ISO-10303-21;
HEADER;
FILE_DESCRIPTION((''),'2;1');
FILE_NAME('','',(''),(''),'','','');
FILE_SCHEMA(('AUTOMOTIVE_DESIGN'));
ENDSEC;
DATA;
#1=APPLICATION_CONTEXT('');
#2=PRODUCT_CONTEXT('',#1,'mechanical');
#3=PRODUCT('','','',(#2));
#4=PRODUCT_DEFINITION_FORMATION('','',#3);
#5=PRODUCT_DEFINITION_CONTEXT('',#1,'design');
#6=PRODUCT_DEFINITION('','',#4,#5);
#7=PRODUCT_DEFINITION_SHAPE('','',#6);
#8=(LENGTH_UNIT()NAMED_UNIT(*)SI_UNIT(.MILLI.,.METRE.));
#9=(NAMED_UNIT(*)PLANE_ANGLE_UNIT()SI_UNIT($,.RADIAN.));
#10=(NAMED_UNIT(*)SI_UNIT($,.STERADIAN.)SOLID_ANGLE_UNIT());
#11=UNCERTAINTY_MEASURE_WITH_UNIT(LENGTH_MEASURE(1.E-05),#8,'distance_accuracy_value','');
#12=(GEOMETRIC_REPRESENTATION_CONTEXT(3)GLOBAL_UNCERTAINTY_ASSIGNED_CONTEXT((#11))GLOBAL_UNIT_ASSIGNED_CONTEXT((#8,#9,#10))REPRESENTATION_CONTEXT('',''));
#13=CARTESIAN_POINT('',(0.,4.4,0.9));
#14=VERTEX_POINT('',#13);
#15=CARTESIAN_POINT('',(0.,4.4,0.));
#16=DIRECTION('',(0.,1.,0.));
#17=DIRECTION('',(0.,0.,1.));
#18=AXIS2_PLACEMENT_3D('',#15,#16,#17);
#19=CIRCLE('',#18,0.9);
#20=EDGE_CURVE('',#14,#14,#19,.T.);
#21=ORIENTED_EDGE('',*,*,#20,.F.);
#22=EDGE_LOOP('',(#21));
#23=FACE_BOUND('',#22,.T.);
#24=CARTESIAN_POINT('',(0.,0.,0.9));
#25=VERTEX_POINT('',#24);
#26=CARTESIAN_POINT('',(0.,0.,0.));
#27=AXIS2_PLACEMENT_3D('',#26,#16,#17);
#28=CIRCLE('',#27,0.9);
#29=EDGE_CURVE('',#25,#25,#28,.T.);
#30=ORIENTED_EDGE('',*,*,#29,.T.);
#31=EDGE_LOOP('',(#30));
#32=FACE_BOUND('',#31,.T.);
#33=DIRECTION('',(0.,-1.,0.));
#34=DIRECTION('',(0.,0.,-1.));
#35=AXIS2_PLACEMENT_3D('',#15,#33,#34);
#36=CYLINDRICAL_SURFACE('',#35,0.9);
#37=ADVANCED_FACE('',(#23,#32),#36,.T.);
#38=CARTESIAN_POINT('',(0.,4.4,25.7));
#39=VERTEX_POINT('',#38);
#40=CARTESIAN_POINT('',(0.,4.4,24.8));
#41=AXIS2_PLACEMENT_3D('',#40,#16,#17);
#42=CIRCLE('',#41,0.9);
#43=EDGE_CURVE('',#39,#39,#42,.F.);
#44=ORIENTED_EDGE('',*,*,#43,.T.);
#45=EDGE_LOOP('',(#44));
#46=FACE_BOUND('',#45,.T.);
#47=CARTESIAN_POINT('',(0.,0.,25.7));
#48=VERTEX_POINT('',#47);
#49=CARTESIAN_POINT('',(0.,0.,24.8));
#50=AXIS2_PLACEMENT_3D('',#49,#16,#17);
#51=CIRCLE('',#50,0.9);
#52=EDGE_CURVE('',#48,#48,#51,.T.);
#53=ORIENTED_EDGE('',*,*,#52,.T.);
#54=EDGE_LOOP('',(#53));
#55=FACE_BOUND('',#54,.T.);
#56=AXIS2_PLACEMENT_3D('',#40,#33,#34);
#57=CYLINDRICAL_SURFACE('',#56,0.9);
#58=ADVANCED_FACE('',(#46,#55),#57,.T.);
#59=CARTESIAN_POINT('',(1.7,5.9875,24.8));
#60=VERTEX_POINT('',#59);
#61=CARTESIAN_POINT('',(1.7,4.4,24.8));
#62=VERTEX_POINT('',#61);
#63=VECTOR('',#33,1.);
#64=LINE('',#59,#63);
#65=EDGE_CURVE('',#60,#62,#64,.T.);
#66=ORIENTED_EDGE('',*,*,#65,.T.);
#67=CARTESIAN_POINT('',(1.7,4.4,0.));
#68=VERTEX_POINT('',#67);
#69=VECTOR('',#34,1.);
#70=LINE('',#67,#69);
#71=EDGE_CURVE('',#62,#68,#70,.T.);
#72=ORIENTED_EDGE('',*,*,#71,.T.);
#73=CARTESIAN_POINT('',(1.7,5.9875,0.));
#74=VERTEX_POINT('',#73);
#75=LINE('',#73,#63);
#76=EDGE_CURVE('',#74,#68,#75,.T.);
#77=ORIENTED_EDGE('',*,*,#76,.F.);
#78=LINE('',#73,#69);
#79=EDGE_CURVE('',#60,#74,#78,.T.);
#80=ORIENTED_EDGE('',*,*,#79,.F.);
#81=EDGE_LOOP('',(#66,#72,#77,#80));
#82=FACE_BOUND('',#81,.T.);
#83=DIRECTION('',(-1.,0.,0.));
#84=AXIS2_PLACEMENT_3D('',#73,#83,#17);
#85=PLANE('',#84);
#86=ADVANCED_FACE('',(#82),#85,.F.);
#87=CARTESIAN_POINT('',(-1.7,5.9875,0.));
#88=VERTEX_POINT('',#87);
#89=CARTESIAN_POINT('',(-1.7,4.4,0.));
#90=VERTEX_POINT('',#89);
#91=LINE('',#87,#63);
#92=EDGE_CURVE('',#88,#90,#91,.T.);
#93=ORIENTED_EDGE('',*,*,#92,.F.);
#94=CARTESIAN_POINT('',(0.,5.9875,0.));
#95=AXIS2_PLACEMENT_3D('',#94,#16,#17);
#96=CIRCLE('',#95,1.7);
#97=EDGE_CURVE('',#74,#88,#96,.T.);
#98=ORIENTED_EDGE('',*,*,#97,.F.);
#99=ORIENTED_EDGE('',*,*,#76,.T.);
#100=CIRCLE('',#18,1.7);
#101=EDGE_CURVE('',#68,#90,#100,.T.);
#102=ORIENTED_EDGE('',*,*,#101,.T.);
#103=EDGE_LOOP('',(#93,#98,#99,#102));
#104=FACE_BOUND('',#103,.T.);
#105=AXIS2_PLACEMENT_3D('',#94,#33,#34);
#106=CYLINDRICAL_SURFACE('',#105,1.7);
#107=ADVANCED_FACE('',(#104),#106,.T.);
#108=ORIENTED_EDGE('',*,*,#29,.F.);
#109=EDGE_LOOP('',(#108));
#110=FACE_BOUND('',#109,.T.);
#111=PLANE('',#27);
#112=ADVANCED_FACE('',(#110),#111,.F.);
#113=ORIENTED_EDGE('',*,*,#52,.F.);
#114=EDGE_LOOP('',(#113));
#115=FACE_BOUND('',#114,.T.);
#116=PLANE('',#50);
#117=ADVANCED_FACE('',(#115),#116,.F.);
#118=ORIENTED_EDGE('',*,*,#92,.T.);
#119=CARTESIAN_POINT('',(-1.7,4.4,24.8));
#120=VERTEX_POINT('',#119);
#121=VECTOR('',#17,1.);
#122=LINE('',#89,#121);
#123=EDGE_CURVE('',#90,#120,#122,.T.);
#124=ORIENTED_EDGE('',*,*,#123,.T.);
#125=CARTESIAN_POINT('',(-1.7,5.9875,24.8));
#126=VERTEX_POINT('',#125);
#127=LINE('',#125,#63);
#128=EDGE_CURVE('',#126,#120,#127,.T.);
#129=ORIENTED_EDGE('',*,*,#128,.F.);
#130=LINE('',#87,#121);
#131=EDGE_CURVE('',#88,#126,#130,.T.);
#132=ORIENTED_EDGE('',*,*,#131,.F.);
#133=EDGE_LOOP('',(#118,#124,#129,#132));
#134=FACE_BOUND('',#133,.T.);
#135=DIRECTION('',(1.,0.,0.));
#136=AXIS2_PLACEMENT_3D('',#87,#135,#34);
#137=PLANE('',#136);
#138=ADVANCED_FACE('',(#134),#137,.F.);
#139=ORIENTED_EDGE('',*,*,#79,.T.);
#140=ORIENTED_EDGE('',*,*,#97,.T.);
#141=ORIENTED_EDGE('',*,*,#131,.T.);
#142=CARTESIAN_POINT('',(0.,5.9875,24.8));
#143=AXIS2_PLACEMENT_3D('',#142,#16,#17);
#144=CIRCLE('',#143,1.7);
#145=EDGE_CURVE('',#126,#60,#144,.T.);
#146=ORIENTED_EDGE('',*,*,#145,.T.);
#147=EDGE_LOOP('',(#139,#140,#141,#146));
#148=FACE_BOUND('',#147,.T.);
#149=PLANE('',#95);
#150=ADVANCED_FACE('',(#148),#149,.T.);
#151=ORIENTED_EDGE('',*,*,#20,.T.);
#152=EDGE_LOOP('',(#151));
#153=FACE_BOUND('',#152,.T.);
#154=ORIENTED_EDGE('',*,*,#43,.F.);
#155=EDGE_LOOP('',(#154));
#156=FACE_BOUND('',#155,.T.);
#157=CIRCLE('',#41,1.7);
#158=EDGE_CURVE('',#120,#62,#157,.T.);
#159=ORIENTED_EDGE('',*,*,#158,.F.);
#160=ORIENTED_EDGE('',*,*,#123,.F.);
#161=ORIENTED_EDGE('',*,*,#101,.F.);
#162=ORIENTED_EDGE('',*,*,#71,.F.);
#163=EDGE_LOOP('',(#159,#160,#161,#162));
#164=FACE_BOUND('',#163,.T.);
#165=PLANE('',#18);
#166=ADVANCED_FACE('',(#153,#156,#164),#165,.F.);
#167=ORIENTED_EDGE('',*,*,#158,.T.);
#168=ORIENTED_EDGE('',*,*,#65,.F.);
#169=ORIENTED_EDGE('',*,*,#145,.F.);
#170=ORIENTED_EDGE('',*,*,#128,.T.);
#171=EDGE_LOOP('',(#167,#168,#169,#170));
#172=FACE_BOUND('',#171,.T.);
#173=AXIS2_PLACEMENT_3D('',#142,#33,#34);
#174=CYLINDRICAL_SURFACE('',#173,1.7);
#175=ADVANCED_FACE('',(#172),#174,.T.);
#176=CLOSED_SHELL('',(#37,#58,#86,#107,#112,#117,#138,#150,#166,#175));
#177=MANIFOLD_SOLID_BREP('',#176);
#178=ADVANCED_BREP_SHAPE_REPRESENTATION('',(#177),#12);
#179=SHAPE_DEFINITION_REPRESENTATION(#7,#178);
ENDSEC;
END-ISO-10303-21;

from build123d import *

# Parameters (mm, degrees)
SKETCH1_R             = 0.9
BOSS_EXTRUDE1_DEPTH   = 4.4
BOSS_EXTRUDE1_2_DEPTH = 4.4
BOSS_EXTRUDE2_DEPTH   = 1.5875


with BuildPart() as part:
    # Sketch1 → Boss-Extrude1 (new body)
    with BuildSketch(Plane(origin=(0, 0, 0), x_dir=(1, 0, 0), z_dir=(0, 1, 0))):
        with Locations(Location((0, 0, 0), (0, 0, 270))):
            Circle(SKETCH1_R)
    extrude(amount=BOSS_EXTRUDE1_DEPTH)



with BuildPart() as body_2:
    # Sketch1 → Boss-Extrude1 2 (new body)
    with BuildSketch(Plane(origin=(0, 0, 0), x_dir=(1, 0, 0), z_dir=(0, 1, 0))):
        with Locations(Location((0, -24.8, 0), (0, 0, 270))):
            Circle(SKETCH1_R)
    extrude(amount=BOSS_EXTRUDE1_2_DEPTH)


with BuildPart() as part_1:
    add(part.part)

    add(body_2.part)  # Boss-Extrude2 merges body 2
    # Sketch2 → Boss-Extrude2 (add)
    with BuildSketch(Plane(origin=(0, 4.4, 0), x_dir=(1, 0, 0), z_dir=(0, 1, 0))):
        with BuildLine():
            Line((1.7, 0), (1.7, -24.8))
            ThreePointArc((1.7, -24.8), (0, -26.5), (-1.7, -24.8))
            Line((-1.7, -24.8), (-1.7, 0))
            ThreePointArc((-1.7, 0), (0, 1.7), (1.7, 0))
        make_face()
    extrude(amount=BOSS_EXTRUDE2_DEPTH)


solid = part_1.part
